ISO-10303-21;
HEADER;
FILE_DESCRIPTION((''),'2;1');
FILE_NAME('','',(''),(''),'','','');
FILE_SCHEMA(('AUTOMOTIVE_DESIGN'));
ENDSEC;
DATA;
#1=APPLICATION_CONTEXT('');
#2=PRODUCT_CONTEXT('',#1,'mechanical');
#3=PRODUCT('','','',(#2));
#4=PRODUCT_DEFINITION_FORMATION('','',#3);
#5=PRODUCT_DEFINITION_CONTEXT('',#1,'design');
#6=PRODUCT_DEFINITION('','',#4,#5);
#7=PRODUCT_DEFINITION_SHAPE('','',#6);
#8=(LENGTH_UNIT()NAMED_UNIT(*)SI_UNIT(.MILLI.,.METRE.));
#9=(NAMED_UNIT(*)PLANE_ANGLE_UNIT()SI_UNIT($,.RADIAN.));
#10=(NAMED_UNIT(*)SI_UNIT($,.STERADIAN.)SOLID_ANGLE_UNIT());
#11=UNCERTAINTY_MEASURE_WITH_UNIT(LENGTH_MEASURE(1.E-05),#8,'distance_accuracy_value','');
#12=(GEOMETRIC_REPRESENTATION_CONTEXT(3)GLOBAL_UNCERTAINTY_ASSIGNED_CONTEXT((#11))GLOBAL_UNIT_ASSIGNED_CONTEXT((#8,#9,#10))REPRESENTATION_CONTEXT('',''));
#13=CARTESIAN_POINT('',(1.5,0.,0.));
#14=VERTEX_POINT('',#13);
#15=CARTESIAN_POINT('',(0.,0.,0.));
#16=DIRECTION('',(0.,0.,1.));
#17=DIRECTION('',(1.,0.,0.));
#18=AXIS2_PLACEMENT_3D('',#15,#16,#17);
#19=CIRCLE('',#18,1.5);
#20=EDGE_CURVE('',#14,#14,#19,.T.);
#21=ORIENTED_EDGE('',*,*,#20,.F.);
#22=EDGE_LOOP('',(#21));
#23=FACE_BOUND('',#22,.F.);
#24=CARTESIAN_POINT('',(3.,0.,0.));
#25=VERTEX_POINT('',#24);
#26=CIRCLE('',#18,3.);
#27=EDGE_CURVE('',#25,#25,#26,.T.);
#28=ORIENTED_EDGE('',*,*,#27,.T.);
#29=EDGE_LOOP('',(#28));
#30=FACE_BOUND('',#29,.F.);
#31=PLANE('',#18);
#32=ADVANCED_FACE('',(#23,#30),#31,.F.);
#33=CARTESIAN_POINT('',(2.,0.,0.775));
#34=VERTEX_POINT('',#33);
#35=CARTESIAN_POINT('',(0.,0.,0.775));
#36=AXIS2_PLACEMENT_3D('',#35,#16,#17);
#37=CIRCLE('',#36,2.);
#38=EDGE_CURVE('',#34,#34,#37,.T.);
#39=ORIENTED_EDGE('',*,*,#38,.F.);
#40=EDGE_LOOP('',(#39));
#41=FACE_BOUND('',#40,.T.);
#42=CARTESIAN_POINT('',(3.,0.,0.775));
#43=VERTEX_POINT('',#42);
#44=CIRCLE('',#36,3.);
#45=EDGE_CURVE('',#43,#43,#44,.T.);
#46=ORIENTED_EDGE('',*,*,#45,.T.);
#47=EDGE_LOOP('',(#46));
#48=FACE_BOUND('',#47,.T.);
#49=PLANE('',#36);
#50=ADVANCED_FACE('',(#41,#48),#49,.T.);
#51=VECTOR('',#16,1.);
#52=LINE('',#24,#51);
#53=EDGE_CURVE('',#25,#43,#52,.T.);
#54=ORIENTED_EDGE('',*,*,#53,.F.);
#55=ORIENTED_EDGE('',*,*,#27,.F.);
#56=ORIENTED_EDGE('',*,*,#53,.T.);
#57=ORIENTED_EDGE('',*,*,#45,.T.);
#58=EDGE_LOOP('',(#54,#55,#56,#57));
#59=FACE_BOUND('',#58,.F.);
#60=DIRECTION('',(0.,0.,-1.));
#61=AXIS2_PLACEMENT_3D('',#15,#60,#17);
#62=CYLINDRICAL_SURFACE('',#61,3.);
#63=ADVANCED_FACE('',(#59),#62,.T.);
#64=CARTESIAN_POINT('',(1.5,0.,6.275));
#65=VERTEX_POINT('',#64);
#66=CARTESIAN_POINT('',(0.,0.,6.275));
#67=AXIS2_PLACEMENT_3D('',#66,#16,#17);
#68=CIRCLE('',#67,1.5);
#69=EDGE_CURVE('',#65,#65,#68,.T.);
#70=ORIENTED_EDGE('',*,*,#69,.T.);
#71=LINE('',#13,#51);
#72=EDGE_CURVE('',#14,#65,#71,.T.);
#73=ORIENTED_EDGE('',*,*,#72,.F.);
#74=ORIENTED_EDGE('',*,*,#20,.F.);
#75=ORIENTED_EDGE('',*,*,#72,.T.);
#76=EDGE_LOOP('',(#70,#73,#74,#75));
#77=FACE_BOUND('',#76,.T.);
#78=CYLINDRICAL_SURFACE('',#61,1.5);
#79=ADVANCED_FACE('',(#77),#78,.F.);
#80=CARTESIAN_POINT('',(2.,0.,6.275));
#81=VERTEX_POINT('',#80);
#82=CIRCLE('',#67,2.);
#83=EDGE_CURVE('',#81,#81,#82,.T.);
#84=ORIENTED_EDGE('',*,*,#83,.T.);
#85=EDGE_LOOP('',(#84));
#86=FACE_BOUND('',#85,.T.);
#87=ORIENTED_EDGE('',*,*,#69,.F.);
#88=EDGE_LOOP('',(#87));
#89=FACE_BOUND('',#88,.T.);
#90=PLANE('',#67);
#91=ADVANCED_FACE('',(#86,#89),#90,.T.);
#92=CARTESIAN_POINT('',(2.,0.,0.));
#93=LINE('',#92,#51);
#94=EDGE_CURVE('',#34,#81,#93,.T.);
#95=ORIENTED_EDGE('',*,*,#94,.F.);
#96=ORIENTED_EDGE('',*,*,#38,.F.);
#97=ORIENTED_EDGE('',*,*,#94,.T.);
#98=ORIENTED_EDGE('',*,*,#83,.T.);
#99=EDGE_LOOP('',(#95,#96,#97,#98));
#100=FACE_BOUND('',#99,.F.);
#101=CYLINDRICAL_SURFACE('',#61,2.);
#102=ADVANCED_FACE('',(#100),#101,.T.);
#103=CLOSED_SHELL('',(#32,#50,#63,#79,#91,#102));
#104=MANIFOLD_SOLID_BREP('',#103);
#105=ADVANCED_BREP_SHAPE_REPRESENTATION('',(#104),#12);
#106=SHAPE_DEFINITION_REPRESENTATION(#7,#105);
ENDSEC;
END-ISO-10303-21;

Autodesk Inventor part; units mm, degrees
ref_plane "YZ Plane" through (0, 0, 0) normal (1, 0, 0) x (0, 1, 0)
ref_plane "XZ Plane" through (0, 0, 0) normal (0, 1, 0) x (-1, 0, 0)
ref_plane "XY Plane" through (0, 0, 0) normal (0, 0, 1) x (1, 0, 0)
sketch "Szkic1" plane through (0, 0, 0) normal (0, 0, 1) x (1, 0, 0)
  circle A0 centre (0, 0) radius 1.5
  circle A1 centre (0, 0) radius 2
  circle A2 centre (0, 0) radius 3
  dimension "d0" = 3
  dimension "d1" = 4
  dimension "d2" = 6
extrude "Wyciągnięcie proste1" add sketch "Szkic1" along normal blind 6.275 contours A1
extrude "Wyciągnięcie proste2" add sketch "Szkic1" along normal blind 0.775 contours A2
properties part number "tulejapodlozysko_3"
